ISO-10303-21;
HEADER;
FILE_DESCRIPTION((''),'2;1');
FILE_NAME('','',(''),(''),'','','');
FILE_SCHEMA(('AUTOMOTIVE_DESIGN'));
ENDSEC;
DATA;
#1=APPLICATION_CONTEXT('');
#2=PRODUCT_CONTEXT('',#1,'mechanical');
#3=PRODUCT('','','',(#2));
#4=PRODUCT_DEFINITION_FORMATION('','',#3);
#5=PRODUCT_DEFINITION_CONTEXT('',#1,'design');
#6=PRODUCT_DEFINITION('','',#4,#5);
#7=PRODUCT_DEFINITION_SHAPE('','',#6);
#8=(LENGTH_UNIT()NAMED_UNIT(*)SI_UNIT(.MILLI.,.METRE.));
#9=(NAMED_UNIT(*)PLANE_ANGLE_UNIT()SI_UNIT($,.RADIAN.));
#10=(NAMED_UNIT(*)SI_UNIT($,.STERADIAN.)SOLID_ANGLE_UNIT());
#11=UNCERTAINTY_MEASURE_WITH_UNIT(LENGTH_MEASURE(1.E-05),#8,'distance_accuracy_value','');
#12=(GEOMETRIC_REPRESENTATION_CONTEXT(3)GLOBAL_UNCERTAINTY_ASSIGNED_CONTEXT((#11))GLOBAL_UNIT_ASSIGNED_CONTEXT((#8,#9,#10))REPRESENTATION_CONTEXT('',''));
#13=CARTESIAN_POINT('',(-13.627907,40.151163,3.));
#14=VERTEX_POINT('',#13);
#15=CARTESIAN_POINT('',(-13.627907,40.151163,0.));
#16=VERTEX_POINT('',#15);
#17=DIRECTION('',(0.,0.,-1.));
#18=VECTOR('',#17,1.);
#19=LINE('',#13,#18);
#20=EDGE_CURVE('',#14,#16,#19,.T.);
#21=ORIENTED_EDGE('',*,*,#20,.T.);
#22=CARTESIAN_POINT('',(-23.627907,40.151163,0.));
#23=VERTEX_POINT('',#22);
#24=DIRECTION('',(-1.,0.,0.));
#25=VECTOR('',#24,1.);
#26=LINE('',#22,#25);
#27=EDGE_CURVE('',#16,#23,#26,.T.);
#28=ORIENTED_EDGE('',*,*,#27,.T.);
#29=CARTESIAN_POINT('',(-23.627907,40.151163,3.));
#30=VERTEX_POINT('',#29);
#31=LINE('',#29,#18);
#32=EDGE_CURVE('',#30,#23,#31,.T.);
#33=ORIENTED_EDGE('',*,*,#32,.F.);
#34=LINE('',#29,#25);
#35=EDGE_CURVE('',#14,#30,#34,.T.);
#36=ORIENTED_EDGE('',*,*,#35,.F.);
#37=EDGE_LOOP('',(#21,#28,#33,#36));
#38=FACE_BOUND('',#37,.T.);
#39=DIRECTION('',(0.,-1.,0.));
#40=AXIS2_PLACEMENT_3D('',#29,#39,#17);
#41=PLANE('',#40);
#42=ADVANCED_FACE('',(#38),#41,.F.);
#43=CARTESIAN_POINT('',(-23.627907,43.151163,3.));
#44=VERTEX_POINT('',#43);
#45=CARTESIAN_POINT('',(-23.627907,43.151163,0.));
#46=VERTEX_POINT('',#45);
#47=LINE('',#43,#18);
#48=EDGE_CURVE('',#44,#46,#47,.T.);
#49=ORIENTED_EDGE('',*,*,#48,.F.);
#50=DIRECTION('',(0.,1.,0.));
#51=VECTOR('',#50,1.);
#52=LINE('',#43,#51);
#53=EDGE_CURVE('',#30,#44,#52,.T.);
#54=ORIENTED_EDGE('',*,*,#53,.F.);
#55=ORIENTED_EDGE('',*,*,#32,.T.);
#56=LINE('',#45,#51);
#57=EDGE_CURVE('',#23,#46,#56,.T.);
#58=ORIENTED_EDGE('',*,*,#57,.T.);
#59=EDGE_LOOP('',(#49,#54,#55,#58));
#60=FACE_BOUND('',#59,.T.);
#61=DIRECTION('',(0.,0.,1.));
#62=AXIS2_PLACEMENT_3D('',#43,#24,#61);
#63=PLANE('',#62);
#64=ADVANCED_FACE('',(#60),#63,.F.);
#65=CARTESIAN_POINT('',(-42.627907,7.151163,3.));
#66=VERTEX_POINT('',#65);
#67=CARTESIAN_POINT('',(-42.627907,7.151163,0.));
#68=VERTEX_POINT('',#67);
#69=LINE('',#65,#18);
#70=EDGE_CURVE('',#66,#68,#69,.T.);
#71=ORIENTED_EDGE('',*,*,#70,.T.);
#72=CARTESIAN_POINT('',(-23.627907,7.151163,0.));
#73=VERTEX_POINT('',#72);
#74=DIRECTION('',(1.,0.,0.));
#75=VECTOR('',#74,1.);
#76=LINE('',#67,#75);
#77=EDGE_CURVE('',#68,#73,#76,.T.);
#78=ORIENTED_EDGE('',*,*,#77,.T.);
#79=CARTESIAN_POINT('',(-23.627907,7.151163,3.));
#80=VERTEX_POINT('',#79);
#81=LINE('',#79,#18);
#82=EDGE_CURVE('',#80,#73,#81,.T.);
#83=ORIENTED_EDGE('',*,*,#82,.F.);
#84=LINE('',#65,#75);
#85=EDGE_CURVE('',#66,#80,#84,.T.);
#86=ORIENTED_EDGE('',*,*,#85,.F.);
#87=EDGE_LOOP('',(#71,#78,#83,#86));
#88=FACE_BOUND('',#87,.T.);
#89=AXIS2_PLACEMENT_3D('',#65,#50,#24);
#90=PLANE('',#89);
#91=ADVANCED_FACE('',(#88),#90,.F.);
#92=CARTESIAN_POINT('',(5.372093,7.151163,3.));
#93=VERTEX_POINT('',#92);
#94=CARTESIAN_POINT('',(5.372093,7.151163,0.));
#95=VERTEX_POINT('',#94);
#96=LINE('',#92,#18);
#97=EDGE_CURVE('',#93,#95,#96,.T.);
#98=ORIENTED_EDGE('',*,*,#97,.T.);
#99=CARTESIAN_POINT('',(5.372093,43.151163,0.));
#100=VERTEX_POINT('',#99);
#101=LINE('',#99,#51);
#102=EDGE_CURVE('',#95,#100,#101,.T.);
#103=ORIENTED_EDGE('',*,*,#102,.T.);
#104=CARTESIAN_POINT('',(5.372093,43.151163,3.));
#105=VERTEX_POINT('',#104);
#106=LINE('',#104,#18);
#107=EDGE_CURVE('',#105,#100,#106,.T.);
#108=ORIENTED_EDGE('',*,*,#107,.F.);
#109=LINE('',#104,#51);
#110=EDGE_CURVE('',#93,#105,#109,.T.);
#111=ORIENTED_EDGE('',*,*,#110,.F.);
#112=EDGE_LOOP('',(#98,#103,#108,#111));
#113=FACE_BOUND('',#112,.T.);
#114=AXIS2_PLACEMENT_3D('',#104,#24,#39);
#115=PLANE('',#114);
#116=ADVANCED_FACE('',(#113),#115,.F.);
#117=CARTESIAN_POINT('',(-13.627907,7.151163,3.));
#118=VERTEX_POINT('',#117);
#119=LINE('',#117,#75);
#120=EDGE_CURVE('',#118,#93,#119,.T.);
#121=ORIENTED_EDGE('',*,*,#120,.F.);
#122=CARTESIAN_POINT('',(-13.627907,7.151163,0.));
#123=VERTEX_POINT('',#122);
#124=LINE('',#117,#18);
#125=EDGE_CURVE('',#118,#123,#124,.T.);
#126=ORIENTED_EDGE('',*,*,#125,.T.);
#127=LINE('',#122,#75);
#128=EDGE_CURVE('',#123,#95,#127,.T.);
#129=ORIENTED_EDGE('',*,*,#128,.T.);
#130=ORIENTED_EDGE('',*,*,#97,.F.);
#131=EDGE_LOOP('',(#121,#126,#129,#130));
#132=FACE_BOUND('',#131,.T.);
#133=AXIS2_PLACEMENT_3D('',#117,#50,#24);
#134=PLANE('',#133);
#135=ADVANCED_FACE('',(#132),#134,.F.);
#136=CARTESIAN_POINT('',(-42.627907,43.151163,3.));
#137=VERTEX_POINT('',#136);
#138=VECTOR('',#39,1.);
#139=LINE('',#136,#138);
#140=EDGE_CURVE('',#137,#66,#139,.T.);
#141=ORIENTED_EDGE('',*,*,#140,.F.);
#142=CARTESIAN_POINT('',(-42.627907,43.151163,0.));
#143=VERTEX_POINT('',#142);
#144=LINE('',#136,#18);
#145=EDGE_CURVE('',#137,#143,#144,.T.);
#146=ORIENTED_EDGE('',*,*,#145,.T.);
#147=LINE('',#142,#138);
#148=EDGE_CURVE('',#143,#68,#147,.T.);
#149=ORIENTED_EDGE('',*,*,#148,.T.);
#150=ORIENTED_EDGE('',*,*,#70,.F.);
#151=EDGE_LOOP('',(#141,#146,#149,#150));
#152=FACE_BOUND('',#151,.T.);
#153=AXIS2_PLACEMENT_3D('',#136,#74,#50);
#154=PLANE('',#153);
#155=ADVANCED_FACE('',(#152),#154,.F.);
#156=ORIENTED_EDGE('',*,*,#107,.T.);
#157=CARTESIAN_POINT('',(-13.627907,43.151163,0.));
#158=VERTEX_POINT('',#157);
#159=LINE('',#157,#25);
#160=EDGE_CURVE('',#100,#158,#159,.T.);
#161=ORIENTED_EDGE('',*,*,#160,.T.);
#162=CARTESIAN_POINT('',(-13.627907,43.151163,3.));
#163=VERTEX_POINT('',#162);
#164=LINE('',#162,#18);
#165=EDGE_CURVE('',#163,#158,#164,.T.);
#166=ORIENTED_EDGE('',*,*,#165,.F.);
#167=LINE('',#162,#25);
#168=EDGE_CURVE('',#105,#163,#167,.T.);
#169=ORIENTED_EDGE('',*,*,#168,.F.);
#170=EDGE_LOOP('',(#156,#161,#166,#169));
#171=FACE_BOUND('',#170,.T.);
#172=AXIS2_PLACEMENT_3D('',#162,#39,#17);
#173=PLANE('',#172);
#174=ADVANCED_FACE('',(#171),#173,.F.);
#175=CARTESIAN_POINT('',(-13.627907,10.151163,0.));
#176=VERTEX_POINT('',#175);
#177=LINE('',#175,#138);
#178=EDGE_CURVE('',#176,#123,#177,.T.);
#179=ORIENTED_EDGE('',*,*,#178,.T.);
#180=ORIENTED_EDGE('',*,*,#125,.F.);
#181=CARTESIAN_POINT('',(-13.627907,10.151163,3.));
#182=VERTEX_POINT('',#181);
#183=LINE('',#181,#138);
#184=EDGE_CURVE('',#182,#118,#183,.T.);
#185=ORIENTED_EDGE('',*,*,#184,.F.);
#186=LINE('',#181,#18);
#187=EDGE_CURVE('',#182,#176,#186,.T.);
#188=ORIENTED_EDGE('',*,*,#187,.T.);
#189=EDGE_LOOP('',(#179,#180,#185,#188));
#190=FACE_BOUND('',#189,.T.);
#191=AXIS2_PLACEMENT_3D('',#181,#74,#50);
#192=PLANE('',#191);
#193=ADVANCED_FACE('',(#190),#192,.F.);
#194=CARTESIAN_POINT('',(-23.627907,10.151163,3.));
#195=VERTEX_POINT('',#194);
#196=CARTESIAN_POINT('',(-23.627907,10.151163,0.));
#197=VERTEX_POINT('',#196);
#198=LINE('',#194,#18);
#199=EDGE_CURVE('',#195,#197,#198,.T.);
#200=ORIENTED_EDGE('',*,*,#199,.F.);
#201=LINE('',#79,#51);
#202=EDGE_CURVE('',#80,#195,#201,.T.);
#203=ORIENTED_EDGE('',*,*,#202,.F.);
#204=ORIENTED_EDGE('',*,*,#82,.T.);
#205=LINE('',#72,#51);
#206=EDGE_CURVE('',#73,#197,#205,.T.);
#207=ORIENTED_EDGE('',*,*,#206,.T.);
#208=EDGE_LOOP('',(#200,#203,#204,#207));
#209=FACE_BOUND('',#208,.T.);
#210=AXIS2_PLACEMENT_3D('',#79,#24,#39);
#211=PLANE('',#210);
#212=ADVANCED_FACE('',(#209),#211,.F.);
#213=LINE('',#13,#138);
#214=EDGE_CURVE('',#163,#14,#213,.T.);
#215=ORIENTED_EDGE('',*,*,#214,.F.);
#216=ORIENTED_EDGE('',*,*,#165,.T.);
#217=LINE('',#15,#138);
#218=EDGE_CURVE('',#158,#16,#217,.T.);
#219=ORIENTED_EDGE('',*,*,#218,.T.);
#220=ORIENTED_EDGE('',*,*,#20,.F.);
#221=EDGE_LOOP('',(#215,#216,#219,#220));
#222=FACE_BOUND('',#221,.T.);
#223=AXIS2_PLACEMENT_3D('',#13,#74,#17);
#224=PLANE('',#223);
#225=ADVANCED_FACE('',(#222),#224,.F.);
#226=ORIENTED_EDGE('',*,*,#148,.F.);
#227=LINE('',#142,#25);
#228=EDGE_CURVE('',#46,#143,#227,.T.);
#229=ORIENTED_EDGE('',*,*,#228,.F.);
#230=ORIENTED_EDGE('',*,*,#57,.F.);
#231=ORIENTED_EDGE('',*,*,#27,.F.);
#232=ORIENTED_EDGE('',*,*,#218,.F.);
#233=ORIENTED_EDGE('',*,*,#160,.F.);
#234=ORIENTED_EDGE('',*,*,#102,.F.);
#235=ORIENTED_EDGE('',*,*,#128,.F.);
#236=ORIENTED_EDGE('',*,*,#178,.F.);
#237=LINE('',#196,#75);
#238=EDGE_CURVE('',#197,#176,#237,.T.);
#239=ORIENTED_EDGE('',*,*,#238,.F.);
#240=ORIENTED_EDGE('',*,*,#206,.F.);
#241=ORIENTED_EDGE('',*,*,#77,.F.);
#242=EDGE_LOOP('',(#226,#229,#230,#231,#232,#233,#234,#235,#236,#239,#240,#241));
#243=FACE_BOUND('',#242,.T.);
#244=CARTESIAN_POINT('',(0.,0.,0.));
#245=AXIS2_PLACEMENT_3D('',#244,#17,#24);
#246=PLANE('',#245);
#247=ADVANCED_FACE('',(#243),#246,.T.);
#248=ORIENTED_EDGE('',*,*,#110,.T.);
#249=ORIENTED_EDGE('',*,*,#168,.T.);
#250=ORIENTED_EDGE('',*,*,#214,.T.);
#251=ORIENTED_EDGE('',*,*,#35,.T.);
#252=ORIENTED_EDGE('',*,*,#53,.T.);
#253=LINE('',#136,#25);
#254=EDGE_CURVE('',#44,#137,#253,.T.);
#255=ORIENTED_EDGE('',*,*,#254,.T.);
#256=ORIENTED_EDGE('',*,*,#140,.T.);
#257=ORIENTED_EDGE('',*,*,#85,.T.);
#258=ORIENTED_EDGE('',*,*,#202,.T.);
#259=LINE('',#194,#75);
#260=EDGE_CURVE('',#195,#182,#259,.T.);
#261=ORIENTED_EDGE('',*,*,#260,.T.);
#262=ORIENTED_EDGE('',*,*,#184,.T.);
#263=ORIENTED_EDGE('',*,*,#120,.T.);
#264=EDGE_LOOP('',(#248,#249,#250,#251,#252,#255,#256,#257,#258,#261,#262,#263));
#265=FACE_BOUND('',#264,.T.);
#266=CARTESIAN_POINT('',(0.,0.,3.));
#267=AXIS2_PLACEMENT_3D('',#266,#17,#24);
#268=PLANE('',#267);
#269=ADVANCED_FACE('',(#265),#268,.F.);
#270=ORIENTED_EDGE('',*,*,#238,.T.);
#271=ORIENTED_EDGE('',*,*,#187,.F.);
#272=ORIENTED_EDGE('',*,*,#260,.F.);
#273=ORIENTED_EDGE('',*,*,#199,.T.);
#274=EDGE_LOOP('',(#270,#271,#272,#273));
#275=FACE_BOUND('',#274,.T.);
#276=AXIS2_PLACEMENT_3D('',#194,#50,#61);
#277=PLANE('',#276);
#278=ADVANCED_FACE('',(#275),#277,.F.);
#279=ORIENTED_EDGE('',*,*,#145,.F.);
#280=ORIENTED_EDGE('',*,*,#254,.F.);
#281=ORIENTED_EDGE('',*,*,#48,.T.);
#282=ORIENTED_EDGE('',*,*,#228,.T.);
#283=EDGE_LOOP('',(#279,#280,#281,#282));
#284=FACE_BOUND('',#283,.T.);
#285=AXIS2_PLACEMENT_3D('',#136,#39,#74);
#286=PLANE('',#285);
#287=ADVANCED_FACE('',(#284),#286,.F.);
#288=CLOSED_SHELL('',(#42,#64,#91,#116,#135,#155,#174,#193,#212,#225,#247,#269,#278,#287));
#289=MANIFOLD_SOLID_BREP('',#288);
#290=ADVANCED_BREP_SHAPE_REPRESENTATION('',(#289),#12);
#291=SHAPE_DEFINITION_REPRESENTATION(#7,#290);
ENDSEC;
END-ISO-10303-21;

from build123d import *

# Parameters (mm, degrees)
BOSS_EXTRUDE1_DEPTH = 3


with BuildPart() as part:
    # Sketch1 → Boss-Extrude1 (new body)
    with BuildSketch(Plane.XY):
        Polygon((-23.627906977, 43.151162791), (-23.627906977, 40.151162791), (-13.627906977, 40.151162791), (-13.627906977, 43.151162791), (5.372093023, 43.151162791), (5.372093023, 7.151162791), (-13.627906977, 7.151162791), (-13.627906977, 10.151162791), (-23.627906977, 10.151162791), (-23.627906977, 7.151162791), (-42.627906977, 7.151162791), (-42.627906977, 43.151162791), align=None)
    extrude(amount=BOSS_EXTRUDE1_DEPTH)


solid = part.part
